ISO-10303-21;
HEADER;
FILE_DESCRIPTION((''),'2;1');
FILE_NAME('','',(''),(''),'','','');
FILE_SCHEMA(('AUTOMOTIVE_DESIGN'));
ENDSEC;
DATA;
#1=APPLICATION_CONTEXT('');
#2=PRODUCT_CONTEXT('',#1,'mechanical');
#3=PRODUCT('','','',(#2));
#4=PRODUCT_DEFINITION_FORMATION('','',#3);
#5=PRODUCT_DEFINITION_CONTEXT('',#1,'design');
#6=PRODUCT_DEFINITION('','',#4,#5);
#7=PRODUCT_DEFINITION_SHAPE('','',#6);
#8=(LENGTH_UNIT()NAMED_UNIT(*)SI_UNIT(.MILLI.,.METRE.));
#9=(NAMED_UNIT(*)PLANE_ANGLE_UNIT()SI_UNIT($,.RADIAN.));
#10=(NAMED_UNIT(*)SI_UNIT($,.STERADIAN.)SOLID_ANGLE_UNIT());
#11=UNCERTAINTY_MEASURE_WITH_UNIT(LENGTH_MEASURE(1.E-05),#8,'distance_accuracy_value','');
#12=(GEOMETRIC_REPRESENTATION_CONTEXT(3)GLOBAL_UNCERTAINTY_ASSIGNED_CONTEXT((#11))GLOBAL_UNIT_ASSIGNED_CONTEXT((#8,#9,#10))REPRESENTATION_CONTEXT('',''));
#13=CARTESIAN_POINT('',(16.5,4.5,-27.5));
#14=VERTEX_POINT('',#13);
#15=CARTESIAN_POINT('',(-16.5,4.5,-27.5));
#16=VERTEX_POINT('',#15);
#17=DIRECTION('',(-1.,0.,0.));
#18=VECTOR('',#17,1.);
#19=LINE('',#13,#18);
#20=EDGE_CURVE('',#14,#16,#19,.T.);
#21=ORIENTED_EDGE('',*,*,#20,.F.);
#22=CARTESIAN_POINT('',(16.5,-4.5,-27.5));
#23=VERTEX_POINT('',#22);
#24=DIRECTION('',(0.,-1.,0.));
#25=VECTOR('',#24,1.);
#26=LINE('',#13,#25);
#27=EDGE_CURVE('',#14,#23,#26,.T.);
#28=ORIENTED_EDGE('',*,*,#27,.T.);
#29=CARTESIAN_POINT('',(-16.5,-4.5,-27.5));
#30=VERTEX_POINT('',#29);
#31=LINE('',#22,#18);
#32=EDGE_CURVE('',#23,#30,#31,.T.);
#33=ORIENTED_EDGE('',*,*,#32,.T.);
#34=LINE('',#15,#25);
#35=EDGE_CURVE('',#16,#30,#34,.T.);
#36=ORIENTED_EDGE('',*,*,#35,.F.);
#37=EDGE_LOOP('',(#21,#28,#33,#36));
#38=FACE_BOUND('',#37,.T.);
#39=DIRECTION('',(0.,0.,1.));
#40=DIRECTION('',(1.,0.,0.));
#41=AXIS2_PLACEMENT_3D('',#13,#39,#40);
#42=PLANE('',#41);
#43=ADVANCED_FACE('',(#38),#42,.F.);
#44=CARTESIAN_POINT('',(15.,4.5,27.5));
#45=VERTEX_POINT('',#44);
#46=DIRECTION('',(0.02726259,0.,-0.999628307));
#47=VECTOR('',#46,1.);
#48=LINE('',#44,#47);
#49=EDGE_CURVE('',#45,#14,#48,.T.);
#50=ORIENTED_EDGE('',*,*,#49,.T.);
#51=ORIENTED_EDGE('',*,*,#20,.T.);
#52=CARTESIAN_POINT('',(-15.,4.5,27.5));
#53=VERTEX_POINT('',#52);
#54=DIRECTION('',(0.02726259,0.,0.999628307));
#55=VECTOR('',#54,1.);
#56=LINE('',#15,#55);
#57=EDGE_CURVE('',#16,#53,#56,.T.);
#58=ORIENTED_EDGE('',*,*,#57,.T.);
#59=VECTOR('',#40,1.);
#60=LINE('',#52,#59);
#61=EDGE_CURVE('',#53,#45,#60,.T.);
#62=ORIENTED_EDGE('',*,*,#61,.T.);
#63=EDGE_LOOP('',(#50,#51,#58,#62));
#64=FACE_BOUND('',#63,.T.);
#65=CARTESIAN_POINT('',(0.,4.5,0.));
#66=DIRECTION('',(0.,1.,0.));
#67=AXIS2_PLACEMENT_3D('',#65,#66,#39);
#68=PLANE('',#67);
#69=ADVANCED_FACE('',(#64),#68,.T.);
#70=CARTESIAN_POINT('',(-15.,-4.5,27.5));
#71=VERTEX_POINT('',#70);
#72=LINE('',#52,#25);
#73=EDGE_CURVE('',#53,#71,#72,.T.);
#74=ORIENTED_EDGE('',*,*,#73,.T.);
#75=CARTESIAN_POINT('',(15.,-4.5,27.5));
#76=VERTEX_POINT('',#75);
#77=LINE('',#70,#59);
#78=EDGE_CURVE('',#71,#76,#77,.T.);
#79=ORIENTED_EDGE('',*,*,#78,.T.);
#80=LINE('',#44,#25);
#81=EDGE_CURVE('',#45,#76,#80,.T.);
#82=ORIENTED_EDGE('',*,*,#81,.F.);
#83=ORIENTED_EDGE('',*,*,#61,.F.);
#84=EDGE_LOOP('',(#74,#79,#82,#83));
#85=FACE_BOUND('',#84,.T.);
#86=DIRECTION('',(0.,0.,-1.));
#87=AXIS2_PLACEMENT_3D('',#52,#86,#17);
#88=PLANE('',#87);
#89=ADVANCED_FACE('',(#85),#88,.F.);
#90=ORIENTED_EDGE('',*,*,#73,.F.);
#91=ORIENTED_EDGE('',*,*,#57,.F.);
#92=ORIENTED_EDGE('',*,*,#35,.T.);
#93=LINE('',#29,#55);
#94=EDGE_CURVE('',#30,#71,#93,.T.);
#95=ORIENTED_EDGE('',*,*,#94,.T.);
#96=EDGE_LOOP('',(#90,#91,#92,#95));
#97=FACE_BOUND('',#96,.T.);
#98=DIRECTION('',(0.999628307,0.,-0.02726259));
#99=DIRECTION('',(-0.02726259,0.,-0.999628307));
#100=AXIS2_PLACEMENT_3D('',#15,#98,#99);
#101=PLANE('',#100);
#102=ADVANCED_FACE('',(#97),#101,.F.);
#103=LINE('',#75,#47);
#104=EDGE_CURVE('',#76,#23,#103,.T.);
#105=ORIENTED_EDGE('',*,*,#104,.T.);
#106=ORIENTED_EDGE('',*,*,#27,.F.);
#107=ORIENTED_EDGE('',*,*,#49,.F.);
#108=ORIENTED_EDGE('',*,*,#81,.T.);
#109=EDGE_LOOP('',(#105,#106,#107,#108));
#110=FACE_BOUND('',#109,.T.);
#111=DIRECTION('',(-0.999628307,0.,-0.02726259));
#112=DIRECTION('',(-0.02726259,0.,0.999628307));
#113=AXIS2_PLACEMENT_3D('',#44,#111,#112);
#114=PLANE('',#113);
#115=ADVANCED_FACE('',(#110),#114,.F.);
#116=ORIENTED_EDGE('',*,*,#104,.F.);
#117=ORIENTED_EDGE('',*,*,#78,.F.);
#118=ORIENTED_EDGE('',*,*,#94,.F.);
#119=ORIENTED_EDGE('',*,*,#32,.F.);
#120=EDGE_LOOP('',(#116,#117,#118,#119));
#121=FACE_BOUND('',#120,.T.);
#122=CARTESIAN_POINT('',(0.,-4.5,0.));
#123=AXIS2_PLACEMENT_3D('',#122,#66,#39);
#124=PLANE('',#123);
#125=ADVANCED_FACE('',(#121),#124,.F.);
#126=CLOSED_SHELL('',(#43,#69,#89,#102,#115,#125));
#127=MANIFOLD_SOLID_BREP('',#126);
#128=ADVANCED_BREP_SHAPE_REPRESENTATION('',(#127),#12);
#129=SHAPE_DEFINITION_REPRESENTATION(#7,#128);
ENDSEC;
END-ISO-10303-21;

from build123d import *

# Parameters (mm, degrees)
BOSS_EXTRUDE1_DEPTH = 4.5


with BuildPart() as part:
    # Sketch1 → Boss-Extrude1 (new, symmetric)
    with BuildSketch(Plane(origin=(0, 0, 0), x_dir=(1, 0, 0), z_dir=(0, 1, 0))):
        Polygon((-16.5, 27.5), (-15, -27.5), (15, -27.5), (16.5, 27.5), align=None)
    extrude(amount=BOSS_EXTRUDE1_DEPTH, both=True)


solid = part.part
